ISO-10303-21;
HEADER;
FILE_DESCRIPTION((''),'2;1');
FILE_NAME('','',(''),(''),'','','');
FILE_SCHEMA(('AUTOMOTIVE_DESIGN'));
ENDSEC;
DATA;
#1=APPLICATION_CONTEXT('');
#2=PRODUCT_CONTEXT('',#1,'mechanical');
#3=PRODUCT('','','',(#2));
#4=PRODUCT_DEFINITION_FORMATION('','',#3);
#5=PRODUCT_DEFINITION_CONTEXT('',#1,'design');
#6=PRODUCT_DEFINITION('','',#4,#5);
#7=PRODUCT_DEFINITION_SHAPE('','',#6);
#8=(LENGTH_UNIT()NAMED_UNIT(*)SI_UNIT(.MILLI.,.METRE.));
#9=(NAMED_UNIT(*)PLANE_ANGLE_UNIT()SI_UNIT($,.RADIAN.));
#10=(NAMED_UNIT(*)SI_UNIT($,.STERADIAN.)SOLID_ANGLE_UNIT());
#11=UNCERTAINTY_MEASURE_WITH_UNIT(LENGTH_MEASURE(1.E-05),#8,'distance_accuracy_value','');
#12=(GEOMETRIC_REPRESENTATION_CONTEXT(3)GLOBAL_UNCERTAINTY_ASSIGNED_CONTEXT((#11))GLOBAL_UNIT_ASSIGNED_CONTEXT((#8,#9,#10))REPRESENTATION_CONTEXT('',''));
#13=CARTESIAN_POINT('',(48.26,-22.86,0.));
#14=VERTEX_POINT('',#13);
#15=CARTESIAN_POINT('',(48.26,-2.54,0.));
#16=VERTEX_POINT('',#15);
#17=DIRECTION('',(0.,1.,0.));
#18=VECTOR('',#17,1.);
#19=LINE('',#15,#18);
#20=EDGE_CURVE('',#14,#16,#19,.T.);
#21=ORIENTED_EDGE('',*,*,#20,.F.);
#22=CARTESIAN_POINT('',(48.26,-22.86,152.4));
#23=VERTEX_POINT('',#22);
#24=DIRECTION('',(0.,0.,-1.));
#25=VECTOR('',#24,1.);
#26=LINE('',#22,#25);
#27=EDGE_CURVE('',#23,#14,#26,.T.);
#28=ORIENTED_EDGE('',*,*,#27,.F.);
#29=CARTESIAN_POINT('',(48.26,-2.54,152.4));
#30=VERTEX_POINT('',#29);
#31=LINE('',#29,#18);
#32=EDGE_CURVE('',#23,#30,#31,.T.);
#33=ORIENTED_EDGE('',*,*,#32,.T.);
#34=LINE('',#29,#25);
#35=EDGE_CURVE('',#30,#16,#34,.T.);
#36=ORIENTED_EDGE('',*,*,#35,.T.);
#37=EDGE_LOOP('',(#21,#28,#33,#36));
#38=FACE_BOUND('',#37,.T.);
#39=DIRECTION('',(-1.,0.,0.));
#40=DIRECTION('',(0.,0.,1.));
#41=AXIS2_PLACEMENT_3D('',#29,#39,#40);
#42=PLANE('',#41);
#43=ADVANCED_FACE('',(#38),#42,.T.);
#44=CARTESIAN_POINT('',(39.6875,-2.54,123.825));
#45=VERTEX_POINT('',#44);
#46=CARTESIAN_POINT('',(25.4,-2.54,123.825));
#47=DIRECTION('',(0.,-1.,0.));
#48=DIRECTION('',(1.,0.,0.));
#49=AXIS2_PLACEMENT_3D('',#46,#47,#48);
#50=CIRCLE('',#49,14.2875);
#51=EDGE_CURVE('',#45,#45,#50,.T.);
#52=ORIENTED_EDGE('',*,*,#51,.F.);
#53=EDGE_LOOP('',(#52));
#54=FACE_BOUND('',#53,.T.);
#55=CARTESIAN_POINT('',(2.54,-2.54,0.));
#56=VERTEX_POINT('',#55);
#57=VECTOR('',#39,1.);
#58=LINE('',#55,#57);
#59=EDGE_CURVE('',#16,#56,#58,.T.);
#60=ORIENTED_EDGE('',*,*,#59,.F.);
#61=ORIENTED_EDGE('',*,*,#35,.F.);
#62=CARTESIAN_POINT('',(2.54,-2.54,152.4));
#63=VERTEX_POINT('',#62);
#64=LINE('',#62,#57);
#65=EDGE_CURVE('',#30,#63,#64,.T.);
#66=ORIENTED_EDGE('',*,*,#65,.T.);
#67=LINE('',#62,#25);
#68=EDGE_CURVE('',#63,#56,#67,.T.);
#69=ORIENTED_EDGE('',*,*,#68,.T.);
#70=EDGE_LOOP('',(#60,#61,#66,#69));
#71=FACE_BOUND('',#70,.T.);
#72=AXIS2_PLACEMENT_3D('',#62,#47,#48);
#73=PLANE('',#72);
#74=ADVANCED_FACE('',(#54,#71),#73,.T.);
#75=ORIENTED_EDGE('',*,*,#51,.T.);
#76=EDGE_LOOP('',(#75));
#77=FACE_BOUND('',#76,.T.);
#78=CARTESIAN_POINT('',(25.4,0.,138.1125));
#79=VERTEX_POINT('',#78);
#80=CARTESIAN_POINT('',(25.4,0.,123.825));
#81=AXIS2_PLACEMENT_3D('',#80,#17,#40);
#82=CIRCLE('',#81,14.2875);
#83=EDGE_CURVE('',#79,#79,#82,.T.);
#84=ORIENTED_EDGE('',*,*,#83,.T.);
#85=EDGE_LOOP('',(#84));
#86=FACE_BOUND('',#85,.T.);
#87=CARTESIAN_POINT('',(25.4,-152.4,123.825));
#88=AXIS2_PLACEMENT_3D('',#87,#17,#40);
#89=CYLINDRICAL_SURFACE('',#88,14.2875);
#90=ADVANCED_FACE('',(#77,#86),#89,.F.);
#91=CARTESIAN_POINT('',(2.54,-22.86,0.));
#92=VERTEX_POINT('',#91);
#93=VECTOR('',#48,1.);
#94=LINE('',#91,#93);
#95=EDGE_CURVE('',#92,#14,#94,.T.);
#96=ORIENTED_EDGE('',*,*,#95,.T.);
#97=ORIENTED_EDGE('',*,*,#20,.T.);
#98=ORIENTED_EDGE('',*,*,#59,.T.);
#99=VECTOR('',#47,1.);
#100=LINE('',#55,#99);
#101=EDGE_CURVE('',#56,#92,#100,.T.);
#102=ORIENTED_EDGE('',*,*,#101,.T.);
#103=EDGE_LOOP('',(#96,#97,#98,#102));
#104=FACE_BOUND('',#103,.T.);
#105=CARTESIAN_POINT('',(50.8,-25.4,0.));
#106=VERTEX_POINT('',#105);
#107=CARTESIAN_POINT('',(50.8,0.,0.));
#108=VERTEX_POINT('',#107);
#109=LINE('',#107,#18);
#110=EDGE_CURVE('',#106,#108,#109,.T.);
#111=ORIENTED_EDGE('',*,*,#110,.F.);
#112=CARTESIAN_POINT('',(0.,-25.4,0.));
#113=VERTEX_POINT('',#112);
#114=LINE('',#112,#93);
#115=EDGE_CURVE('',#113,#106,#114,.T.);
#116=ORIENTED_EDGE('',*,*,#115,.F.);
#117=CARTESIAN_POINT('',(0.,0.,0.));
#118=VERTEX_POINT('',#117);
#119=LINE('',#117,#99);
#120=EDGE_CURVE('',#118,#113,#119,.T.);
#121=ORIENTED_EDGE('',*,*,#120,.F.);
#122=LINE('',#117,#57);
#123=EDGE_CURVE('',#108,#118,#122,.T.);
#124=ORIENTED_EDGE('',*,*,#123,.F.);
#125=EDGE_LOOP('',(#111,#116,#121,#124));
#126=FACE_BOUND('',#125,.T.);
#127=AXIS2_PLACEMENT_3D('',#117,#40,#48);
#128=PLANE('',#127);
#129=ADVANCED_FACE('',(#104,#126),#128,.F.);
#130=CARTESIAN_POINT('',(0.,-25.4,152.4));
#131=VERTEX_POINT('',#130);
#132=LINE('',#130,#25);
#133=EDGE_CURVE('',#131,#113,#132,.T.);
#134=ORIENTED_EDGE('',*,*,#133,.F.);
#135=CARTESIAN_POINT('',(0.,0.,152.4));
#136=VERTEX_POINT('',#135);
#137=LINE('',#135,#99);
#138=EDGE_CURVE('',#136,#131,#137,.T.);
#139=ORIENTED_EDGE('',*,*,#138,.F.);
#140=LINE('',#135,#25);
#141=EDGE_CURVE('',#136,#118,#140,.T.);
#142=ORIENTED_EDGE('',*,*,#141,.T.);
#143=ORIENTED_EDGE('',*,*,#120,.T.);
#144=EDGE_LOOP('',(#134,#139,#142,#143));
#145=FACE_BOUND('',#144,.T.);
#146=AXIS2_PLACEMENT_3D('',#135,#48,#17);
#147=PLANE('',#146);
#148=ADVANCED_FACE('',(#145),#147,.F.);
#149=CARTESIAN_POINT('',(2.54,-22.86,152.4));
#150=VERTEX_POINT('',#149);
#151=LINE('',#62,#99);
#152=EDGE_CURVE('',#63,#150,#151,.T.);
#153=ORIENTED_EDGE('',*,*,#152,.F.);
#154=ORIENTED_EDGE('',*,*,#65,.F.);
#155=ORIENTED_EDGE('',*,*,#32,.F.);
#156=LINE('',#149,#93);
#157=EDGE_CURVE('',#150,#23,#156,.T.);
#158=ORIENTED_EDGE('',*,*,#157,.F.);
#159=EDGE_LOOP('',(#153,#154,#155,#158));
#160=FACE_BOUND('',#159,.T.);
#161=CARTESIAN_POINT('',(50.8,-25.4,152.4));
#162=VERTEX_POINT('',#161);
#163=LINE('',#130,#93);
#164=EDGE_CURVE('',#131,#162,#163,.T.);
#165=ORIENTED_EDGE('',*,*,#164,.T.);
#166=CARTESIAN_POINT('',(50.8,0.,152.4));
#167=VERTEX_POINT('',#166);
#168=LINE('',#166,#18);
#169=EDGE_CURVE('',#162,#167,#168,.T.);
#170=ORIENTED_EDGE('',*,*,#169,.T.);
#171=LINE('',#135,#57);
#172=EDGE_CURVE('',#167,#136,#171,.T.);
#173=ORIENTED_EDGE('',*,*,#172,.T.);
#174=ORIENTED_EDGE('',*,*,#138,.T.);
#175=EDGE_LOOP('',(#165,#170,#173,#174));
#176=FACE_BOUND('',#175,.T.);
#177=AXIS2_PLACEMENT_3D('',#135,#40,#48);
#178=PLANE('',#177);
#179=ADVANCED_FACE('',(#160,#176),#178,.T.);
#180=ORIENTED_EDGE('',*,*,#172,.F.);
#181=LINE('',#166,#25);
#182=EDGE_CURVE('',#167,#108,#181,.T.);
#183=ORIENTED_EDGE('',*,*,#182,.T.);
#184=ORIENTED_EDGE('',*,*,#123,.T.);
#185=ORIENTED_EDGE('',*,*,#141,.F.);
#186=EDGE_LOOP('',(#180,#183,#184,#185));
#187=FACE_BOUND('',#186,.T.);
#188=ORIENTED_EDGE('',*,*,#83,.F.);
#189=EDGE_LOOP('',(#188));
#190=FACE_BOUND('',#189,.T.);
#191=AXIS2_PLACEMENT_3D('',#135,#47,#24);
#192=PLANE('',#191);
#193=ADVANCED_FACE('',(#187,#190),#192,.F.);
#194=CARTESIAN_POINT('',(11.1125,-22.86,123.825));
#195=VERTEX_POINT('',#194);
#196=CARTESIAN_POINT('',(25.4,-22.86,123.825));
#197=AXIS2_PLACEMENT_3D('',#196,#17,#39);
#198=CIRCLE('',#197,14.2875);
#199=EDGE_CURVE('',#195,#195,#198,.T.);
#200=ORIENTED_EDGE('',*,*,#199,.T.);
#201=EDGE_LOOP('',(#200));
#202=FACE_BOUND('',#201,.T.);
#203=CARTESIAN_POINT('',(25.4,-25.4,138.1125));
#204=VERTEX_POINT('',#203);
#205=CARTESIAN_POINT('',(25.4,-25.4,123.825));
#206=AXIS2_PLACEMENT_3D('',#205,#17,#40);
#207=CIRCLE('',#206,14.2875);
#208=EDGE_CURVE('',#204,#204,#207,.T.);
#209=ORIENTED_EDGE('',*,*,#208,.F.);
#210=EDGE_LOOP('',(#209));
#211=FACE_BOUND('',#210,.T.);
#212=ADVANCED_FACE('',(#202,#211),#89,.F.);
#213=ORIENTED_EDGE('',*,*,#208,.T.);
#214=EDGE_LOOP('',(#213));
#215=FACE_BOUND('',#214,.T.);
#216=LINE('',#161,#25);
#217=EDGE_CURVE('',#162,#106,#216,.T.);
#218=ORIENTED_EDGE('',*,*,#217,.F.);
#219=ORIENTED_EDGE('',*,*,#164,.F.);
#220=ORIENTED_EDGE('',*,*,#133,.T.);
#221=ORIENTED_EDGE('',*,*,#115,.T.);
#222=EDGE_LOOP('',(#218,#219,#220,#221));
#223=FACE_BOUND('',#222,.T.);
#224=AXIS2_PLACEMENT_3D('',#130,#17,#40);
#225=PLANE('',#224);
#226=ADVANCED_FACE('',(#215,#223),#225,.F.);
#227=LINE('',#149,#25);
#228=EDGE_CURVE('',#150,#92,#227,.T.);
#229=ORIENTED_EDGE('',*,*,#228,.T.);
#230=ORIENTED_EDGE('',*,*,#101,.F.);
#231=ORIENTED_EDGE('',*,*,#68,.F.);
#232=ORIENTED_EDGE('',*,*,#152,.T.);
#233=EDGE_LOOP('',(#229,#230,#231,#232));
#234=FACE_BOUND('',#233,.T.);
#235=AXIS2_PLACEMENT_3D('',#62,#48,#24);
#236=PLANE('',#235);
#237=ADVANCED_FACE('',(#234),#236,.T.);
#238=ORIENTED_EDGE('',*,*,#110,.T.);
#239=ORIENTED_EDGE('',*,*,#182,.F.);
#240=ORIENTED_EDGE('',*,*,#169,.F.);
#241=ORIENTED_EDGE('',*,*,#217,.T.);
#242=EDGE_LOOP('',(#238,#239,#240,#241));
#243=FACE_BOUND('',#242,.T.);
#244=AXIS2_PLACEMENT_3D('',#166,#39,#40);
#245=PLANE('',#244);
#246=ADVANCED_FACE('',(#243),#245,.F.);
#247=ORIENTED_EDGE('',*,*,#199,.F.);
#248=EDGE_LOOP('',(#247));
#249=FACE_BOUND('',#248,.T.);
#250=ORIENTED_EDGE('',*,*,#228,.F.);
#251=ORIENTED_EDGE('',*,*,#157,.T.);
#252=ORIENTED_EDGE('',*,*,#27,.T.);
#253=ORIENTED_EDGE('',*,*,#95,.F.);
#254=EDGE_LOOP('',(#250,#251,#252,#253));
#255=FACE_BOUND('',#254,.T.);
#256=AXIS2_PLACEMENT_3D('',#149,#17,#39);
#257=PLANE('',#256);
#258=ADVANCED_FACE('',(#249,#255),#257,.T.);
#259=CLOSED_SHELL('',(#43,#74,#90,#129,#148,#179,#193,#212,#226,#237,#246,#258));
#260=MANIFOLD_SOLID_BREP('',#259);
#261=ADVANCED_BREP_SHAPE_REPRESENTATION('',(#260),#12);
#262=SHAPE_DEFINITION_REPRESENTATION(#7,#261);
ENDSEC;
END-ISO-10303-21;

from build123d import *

# Parameters (mm, degrees)
SKETCH1_W           = 50.8
SKETCH1_H           = 25.4
SKETCH1_W_2         = 45.72
SKETCH1_H_2         = 20.32
BOSS_EXTRUDE1_DEPTH = 152.4
SKETCH2_R           = 14.2875
CUT_EXTRUDE1_DEPTH  = 152.4


with BuildPart() as part:
    # Sketch1 → Boss-Extrude1 (new body)
    with BuildSketch(Plane.XY):
        with Locations((25.4, -12.7)):
            Rectangle(SKETCH1_W, SKETCH1_H)
        with Locations((25.4, -12.7)):
            Rectangle(SKETCH1_W_2, SKETCH1_H_2, mode=Mode.SUBTRACT)
    extrude(amount=BOSS_EXTRUDE1_DEPTH)

    # Sketch2 → Cut-Extrude1 (cut)
    with BuildSketch(Plane(origin=(0, 0, 0), x_dir=(1, 0, 0), z_dir=(0, 1, 0))):
        with Locations((25.4, -123.825)):
            Circle(SKETCH2_R)
    extrude(amount=-CUT_EXTRUDE1_DEPTH, mode=Mode.SUBTRACT)


solid = part.part
